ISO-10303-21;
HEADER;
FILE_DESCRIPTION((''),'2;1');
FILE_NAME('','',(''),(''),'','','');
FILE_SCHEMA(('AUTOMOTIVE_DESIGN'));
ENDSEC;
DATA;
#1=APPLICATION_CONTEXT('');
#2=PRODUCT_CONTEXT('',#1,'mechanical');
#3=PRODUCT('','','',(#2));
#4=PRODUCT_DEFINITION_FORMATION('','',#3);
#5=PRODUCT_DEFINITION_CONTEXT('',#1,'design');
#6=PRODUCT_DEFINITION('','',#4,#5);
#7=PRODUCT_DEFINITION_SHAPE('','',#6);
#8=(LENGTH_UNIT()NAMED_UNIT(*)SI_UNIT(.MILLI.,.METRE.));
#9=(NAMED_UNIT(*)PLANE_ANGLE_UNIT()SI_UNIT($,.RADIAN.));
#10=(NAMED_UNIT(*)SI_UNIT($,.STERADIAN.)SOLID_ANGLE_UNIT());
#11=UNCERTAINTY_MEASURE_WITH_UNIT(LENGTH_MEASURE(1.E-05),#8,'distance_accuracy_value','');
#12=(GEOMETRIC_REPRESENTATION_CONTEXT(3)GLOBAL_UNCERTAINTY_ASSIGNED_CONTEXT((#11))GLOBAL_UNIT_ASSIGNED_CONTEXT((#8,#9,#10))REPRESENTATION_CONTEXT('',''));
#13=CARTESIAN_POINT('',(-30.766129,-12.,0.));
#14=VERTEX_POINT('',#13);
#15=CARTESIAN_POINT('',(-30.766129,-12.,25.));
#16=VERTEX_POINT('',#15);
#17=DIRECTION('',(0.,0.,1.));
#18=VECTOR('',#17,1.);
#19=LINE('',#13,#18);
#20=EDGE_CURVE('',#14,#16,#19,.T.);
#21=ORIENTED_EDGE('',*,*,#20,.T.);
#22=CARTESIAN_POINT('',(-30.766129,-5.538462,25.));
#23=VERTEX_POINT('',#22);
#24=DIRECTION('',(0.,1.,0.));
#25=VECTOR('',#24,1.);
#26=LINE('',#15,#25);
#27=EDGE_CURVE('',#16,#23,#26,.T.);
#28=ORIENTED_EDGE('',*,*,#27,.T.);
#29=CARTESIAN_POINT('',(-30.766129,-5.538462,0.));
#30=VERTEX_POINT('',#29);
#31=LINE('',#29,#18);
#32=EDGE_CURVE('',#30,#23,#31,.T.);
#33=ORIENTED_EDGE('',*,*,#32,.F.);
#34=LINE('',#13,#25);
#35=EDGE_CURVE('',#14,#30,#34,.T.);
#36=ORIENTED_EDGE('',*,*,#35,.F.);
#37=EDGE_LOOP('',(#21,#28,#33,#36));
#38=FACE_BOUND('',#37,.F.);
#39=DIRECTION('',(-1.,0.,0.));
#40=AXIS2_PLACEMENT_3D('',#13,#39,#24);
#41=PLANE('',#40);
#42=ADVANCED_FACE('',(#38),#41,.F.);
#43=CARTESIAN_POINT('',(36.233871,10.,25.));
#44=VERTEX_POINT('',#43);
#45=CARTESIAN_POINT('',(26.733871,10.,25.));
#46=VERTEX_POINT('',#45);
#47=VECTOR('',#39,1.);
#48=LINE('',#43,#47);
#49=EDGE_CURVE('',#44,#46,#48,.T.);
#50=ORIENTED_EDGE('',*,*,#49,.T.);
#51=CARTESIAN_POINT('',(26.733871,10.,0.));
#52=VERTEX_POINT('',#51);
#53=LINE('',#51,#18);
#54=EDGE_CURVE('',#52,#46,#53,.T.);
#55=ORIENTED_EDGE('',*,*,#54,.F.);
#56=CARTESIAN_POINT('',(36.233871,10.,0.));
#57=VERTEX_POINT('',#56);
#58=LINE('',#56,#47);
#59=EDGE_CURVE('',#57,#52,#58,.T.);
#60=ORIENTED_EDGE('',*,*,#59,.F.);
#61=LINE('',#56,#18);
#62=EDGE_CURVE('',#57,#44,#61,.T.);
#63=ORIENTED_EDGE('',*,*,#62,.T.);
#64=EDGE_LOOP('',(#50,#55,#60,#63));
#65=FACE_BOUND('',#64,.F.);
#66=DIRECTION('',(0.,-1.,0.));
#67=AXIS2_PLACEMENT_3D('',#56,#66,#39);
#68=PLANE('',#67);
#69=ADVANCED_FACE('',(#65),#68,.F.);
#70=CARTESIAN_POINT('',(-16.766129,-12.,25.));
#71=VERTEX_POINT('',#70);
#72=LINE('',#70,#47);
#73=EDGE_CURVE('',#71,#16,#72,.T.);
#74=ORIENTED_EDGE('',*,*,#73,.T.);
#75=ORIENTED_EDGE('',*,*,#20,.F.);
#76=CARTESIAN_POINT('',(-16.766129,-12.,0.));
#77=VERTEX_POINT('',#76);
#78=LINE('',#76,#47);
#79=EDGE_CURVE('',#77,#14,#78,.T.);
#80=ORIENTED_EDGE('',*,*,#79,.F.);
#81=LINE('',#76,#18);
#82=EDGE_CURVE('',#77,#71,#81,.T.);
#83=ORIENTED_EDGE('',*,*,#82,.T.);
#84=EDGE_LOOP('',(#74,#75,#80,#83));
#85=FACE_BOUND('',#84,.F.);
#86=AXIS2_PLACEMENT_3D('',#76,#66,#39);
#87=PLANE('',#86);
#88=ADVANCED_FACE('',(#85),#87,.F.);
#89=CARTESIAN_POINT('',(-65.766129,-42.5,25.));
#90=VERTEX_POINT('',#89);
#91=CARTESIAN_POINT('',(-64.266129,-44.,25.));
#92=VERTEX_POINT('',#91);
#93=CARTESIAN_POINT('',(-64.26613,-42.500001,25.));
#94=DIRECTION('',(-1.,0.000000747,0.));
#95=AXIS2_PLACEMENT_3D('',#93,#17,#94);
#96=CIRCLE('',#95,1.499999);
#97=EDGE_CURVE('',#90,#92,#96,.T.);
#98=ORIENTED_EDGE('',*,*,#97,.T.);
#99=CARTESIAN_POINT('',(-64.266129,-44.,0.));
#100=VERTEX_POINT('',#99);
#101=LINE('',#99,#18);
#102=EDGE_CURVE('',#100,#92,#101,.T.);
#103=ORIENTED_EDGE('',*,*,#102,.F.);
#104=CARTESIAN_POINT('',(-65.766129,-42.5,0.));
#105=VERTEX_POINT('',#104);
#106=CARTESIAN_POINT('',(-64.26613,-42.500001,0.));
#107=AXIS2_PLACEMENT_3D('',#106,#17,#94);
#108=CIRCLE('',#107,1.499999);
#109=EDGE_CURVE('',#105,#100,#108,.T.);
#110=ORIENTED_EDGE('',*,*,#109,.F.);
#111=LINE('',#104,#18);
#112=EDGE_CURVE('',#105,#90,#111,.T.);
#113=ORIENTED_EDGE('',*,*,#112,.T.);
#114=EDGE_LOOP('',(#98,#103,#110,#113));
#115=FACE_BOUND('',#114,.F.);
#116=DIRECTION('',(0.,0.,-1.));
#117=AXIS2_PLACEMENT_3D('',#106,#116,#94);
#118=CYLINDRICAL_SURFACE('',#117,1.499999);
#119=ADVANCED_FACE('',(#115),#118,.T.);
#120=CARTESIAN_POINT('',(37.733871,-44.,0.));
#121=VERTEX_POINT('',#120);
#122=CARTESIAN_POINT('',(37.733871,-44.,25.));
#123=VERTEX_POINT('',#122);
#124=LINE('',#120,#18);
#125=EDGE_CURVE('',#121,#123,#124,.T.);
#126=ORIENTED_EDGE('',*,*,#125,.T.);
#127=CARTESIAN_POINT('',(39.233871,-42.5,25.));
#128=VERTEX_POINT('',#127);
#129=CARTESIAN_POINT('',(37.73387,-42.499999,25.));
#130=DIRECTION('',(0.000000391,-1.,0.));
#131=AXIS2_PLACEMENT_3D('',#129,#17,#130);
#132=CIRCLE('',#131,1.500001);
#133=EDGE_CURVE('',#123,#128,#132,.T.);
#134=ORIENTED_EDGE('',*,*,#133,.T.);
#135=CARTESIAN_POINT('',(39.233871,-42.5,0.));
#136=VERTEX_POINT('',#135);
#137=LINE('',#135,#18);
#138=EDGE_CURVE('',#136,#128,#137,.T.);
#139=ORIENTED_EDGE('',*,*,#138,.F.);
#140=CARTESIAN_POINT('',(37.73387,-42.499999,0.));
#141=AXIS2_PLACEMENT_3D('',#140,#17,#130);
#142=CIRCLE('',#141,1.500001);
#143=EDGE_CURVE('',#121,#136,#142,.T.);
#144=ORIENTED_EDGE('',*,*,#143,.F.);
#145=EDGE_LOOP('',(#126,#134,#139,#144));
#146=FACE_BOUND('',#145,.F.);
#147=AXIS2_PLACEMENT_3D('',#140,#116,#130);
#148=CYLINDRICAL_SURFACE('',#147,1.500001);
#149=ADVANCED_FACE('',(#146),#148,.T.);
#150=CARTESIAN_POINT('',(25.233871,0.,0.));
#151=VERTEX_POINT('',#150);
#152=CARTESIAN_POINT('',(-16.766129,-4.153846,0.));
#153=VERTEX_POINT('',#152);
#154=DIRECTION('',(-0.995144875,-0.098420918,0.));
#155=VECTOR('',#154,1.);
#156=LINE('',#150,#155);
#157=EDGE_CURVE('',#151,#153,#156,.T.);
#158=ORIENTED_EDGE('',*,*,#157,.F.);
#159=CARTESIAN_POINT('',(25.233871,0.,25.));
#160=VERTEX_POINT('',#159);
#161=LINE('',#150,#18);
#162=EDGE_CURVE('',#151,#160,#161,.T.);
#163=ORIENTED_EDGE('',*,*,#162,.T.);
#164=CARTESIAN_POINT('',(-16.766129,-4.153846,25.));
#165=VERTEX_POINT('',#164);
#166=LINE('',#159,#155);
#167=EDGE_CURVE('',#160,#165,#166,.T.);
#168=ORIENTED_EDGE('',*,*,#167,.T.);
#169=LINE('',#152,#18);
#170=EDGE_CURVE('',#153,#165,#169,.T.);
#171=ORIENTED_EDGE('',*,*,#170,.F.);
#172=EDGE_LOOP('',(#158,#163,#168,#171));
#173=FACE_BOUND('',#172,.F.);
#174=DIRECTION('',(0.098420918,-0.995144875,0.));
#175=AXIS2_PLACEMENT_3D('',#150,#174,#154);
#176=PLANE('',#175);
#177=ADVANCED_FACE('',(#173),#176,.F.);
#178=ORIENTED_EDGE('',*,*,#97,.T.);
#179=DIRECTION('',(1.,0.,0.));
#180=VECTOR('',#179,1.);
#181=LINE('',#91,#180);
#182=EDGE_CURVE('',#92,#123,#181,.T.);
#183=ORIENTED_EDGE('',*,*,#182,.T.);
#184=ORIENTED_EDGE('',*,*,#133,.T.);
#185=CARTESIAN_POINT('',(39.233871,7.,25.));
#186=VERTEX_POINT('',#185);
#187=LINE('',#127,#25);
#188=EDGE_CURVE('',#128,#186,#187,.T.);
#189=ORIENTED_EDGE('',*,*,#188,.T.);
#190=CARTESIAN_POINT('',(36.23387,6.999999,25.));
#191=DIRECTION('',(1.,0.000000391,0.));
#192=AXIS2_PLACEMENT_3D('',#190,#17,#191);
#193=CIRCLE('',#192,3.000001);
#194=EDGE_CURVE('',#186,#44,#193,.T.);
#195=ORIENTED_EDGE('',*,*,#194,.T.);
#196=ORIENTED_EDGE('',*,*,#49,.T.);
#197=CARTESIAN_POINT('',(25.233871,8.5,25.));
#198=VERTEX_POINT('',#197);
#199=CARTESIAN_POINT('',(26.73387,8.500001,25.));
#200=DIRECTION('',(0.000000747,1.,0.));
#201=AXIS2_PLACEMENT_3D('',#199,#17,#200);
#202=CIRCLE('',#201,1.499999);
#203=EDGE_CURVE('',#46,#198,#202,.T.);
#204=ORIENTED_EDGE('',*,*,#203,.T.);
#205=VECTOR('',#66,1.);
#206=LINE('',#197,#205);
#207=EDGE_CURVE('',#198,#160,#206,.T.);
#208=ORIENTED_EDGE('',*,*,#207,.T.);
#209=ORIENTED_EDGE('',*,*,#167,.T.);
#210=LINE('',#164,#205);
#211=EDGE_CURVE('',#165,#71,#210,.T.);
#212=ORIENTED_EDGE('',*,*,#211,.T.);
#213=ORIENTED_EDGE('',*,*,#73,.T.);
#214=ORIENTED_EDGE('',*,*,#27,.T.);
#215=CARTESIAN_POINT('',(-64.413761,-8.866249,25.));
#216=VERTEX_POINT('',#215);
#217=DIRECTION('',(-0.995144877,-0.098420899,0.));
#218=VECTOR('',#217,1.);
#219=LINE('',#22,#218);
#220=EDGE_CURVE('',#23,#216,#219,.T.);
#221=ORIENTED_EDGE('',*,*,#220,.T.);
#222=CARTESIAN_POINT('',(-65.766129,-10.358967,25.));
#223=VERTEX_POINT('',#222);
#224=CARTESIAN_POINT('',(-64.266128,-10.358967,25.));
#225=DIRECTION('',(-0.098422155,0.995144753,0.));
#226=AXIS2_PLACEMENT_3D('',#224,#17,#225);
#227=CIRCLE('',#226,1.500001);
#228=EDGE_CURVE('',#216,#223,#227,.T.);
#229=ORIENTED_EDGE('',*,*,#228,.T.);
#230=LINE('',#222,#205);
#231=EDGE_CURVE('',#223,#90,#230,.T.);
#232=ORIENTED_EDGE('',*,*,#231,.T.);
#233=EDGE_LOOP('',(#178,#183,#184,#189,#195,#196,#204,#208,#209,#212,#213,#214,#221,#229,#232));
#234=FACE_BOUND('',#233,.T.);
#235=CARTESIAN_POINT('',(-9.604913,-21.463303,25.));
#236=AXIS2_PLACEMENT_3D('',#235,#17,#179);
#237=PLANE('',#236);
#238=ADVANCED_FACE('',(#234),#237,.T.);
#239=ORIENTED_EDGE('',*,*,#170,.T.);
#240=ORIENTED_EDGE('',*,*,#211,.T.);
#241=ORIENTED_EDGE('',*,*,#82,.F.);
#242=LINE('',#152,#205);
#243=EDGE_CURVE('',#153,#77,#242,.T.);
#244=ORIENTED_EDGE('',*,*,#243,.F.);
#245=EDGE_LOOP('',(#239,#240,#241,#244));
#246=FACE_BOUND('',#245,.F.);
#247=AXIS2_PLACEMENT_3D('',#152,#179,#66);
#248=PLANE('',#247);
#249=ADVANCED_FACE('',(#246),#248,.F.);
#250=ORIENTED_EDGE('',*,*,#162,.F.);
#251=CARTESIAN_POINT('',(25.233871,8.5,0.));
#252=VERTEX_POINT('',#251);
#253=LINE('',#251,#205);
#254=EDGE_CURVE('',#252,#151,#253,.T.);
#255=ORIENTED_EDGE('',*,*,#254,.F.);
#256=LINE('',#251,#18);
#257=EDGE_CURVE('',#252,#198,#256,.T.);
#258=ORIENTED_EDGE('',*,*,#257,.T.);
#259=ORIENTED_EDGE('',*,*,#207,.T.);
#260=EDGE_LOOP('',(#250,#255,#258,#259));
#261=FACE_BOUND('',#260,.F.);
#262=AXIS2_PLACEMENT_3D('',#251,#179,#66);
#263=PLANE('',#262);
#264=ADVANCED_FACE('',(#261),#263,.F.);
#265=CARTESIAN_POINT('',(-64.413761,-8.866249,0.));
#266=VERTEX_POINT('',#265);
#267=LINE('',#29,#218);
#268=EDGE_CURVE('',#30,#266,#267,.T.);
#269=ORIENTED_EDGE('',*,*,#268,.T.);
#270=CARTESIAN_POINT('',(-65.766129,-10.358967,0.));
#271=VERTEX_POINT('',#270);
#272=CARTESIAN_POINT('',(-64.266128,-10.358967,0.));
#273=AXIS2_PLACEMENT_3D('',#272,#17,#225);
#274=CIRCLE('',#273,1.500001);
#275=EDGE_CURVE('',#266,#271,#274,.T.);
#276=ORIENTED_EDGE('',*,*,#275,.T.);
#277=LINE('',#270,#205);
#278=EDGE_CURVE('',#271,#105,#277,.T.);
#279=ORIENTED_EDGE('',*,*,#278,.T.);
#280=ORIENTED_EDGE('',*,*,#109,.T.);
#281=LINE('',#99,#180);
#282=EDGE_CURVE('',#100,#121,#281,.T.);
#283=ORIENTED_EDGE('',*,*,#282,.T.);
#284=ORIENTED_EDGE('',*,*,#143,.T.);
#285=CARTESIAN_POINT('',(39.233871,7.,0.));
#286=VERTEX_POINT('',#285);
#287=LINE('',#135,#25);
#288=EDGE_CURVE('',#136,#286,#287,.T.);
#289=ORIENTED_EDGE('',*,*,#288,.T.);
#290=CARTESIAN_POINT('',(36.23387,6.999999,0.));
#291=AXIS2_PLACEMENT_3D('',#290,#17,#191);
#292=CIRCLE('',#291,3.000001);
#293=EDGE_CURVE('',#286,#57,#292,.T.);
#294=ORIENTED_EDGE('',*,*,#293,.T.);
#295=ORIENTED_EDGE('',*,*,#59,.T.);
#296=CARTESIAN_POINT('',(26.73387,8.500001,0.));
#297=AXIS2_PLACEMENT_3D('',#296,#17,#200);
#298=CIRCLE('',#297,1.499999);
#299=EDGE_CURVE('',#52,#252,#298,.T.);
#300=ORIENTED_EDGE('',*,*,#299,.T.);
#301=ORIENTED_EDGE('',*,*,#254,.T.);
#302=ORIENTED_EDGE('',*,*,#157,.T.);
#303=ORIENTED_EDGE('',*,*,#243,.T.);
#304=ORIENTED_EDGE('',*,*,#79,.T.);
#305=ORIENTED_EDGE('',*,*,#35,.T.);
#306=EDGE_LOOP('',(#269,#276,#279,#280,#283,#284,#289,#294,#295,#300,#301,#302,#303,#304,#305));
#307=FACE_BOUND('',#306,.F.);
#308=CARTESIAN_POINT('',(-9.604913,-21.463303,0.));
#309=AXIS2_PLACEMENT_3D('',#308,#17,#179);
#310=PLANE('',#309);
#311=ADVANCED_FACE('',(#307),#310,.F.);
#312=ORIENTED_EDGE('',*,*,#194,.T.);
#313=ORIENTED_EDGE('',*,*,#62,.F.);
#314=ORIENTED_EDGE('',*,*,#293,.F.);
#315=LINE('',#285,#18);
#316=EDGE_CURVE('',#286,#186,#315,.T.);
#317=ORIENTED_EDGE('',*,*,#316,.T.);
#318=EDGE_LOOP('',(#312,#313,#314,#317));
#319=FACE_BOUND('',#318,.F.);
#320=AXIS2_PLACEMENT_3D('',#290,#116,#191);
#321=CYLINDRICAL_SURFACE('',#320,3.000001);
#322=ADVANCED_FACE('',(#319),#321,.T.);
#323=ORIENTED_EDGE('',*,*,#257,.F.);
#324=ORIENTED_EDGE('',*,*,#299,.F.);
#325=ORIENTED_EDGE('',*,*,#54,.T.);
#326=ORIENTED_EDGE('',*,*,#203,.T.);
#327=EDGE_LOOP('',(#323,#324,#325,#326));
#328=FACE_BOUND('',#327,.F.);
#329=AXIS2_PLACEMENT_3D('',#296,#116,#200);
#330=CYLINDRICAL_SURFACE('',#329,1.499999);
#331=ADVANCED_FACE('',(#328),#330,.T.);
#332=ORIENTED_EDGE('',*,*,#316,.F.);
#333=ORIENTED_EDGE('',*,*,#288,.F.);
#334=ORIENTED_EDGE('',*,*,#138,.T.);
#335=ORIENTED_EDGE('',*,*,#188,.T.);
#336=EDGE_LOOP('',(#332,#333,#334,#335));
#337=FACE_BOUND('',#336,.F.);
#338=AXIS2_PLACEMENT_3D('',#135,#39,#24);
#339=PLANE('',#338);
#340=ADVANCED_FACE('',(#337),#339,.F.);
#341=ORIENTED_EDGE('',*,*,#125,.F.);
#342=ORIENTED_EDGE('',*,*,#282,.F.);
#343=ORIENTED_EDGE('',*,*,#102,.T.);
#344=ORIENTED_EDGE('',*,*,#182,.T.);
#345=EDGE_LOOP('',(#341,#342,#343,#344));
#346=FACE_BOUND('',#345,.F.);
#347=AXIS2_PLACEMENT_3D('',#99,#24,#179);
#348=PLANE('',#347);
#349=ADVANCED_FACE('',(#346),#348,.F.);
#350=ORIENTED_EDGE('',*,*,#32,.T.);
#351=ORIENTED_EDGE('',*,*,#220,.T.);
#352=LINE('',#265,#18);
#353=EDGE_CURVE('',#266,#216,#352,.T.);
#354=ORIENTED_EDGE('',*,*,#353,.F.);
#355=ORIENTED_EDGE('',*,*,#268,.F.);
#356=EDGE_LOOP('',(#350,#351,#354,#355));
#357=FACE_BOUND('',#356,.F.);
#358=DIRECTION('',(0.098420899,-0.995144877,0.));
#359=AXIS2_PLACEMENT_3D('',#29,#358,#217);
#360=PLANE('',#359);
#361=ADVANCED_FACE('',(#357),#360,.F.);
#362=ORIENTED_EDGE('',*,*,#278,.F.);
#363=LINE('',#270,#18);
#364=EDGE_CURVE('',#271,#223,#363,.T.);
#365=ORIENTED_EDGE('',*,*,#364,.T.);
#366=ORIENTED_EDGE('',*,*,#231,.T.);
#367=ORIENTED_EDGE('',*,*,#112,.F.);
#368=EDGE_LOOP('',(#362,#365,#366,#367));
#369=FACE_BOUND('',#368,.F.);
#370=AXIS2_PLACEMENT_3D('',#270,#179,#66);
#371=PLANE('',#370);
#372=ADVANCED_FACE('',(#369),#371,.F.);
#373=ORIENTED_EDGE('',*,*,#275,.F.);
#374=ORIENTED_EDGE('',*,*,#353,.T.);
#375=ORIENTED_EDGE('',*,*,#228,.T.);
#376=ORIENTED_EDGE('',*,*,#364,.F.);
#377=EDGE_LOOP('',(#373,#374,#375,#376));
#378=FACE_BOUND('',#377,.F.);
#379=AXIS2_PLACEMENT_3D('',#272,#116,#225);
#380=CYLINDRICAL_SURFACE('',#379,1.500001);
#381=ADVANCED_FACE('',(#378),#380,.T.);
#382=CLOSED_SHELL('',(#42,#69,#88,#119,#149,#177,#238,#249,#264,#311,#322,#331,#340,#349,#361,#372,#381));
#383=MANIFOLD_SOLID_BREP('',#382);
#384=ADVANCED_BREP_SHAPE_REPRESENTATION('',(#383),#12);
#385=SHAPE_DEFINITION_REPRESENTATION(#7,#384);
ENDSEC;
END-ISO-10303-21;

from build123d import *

# Parameters (mm, degrees)
F1_DEPTH = 25


with BuildPart() as f1:
    # F0 (on Top) → F1 (new body)
    with BuildSketch(Plane.XY):
        with BuildLine():
            Line((-64.266129, -44), (-16.766129, -44))
            Line((-16.766129, -44), (37.733871, -44))
            ThreePointArc((37.733871, -44), (38.794531, -43.56066), (39.233871, -42.5))
            Line((39.233871, -42.5), (39.233871, 7))
            ThreePointArc((39.233871, 7), (38.355191, 9.12132), (36.233871, 10))
            Line((36.233871, 10), (26.733871, 10))
            ThreePointArc((26.733871, 10), (25.67321, 9.56066), (25.233871, 8.5))
            Line((25.233871, 8.5), (25.233871, 0))
            Line((25.233871, 0), (-16.766129, -4.153846))
            Line((-16.766129, -4.153846), (-16.766129, -12))
            Line((-16.766129, -12), (-30.766129, -12))
            Line((-30.766129, -12), (-30.766129, -5.538462))
            Line((-30.766129, -5.538462), (-64.413761, -8.866249))
            ThreePointArc((-64.413761, -8.866249), (-65.37776, -9.351854), (-65.766129, -10.358967))
            Line((-65.766129, -10.358967), (-65.766129, -42.5))
            ThreePointArc((-65.766129, -42.5), (-65.32679, -43.56066), (-64.266129, -44))
        make_face()
    extrude(amount=F1_DEPTH)


solid = f1.part
